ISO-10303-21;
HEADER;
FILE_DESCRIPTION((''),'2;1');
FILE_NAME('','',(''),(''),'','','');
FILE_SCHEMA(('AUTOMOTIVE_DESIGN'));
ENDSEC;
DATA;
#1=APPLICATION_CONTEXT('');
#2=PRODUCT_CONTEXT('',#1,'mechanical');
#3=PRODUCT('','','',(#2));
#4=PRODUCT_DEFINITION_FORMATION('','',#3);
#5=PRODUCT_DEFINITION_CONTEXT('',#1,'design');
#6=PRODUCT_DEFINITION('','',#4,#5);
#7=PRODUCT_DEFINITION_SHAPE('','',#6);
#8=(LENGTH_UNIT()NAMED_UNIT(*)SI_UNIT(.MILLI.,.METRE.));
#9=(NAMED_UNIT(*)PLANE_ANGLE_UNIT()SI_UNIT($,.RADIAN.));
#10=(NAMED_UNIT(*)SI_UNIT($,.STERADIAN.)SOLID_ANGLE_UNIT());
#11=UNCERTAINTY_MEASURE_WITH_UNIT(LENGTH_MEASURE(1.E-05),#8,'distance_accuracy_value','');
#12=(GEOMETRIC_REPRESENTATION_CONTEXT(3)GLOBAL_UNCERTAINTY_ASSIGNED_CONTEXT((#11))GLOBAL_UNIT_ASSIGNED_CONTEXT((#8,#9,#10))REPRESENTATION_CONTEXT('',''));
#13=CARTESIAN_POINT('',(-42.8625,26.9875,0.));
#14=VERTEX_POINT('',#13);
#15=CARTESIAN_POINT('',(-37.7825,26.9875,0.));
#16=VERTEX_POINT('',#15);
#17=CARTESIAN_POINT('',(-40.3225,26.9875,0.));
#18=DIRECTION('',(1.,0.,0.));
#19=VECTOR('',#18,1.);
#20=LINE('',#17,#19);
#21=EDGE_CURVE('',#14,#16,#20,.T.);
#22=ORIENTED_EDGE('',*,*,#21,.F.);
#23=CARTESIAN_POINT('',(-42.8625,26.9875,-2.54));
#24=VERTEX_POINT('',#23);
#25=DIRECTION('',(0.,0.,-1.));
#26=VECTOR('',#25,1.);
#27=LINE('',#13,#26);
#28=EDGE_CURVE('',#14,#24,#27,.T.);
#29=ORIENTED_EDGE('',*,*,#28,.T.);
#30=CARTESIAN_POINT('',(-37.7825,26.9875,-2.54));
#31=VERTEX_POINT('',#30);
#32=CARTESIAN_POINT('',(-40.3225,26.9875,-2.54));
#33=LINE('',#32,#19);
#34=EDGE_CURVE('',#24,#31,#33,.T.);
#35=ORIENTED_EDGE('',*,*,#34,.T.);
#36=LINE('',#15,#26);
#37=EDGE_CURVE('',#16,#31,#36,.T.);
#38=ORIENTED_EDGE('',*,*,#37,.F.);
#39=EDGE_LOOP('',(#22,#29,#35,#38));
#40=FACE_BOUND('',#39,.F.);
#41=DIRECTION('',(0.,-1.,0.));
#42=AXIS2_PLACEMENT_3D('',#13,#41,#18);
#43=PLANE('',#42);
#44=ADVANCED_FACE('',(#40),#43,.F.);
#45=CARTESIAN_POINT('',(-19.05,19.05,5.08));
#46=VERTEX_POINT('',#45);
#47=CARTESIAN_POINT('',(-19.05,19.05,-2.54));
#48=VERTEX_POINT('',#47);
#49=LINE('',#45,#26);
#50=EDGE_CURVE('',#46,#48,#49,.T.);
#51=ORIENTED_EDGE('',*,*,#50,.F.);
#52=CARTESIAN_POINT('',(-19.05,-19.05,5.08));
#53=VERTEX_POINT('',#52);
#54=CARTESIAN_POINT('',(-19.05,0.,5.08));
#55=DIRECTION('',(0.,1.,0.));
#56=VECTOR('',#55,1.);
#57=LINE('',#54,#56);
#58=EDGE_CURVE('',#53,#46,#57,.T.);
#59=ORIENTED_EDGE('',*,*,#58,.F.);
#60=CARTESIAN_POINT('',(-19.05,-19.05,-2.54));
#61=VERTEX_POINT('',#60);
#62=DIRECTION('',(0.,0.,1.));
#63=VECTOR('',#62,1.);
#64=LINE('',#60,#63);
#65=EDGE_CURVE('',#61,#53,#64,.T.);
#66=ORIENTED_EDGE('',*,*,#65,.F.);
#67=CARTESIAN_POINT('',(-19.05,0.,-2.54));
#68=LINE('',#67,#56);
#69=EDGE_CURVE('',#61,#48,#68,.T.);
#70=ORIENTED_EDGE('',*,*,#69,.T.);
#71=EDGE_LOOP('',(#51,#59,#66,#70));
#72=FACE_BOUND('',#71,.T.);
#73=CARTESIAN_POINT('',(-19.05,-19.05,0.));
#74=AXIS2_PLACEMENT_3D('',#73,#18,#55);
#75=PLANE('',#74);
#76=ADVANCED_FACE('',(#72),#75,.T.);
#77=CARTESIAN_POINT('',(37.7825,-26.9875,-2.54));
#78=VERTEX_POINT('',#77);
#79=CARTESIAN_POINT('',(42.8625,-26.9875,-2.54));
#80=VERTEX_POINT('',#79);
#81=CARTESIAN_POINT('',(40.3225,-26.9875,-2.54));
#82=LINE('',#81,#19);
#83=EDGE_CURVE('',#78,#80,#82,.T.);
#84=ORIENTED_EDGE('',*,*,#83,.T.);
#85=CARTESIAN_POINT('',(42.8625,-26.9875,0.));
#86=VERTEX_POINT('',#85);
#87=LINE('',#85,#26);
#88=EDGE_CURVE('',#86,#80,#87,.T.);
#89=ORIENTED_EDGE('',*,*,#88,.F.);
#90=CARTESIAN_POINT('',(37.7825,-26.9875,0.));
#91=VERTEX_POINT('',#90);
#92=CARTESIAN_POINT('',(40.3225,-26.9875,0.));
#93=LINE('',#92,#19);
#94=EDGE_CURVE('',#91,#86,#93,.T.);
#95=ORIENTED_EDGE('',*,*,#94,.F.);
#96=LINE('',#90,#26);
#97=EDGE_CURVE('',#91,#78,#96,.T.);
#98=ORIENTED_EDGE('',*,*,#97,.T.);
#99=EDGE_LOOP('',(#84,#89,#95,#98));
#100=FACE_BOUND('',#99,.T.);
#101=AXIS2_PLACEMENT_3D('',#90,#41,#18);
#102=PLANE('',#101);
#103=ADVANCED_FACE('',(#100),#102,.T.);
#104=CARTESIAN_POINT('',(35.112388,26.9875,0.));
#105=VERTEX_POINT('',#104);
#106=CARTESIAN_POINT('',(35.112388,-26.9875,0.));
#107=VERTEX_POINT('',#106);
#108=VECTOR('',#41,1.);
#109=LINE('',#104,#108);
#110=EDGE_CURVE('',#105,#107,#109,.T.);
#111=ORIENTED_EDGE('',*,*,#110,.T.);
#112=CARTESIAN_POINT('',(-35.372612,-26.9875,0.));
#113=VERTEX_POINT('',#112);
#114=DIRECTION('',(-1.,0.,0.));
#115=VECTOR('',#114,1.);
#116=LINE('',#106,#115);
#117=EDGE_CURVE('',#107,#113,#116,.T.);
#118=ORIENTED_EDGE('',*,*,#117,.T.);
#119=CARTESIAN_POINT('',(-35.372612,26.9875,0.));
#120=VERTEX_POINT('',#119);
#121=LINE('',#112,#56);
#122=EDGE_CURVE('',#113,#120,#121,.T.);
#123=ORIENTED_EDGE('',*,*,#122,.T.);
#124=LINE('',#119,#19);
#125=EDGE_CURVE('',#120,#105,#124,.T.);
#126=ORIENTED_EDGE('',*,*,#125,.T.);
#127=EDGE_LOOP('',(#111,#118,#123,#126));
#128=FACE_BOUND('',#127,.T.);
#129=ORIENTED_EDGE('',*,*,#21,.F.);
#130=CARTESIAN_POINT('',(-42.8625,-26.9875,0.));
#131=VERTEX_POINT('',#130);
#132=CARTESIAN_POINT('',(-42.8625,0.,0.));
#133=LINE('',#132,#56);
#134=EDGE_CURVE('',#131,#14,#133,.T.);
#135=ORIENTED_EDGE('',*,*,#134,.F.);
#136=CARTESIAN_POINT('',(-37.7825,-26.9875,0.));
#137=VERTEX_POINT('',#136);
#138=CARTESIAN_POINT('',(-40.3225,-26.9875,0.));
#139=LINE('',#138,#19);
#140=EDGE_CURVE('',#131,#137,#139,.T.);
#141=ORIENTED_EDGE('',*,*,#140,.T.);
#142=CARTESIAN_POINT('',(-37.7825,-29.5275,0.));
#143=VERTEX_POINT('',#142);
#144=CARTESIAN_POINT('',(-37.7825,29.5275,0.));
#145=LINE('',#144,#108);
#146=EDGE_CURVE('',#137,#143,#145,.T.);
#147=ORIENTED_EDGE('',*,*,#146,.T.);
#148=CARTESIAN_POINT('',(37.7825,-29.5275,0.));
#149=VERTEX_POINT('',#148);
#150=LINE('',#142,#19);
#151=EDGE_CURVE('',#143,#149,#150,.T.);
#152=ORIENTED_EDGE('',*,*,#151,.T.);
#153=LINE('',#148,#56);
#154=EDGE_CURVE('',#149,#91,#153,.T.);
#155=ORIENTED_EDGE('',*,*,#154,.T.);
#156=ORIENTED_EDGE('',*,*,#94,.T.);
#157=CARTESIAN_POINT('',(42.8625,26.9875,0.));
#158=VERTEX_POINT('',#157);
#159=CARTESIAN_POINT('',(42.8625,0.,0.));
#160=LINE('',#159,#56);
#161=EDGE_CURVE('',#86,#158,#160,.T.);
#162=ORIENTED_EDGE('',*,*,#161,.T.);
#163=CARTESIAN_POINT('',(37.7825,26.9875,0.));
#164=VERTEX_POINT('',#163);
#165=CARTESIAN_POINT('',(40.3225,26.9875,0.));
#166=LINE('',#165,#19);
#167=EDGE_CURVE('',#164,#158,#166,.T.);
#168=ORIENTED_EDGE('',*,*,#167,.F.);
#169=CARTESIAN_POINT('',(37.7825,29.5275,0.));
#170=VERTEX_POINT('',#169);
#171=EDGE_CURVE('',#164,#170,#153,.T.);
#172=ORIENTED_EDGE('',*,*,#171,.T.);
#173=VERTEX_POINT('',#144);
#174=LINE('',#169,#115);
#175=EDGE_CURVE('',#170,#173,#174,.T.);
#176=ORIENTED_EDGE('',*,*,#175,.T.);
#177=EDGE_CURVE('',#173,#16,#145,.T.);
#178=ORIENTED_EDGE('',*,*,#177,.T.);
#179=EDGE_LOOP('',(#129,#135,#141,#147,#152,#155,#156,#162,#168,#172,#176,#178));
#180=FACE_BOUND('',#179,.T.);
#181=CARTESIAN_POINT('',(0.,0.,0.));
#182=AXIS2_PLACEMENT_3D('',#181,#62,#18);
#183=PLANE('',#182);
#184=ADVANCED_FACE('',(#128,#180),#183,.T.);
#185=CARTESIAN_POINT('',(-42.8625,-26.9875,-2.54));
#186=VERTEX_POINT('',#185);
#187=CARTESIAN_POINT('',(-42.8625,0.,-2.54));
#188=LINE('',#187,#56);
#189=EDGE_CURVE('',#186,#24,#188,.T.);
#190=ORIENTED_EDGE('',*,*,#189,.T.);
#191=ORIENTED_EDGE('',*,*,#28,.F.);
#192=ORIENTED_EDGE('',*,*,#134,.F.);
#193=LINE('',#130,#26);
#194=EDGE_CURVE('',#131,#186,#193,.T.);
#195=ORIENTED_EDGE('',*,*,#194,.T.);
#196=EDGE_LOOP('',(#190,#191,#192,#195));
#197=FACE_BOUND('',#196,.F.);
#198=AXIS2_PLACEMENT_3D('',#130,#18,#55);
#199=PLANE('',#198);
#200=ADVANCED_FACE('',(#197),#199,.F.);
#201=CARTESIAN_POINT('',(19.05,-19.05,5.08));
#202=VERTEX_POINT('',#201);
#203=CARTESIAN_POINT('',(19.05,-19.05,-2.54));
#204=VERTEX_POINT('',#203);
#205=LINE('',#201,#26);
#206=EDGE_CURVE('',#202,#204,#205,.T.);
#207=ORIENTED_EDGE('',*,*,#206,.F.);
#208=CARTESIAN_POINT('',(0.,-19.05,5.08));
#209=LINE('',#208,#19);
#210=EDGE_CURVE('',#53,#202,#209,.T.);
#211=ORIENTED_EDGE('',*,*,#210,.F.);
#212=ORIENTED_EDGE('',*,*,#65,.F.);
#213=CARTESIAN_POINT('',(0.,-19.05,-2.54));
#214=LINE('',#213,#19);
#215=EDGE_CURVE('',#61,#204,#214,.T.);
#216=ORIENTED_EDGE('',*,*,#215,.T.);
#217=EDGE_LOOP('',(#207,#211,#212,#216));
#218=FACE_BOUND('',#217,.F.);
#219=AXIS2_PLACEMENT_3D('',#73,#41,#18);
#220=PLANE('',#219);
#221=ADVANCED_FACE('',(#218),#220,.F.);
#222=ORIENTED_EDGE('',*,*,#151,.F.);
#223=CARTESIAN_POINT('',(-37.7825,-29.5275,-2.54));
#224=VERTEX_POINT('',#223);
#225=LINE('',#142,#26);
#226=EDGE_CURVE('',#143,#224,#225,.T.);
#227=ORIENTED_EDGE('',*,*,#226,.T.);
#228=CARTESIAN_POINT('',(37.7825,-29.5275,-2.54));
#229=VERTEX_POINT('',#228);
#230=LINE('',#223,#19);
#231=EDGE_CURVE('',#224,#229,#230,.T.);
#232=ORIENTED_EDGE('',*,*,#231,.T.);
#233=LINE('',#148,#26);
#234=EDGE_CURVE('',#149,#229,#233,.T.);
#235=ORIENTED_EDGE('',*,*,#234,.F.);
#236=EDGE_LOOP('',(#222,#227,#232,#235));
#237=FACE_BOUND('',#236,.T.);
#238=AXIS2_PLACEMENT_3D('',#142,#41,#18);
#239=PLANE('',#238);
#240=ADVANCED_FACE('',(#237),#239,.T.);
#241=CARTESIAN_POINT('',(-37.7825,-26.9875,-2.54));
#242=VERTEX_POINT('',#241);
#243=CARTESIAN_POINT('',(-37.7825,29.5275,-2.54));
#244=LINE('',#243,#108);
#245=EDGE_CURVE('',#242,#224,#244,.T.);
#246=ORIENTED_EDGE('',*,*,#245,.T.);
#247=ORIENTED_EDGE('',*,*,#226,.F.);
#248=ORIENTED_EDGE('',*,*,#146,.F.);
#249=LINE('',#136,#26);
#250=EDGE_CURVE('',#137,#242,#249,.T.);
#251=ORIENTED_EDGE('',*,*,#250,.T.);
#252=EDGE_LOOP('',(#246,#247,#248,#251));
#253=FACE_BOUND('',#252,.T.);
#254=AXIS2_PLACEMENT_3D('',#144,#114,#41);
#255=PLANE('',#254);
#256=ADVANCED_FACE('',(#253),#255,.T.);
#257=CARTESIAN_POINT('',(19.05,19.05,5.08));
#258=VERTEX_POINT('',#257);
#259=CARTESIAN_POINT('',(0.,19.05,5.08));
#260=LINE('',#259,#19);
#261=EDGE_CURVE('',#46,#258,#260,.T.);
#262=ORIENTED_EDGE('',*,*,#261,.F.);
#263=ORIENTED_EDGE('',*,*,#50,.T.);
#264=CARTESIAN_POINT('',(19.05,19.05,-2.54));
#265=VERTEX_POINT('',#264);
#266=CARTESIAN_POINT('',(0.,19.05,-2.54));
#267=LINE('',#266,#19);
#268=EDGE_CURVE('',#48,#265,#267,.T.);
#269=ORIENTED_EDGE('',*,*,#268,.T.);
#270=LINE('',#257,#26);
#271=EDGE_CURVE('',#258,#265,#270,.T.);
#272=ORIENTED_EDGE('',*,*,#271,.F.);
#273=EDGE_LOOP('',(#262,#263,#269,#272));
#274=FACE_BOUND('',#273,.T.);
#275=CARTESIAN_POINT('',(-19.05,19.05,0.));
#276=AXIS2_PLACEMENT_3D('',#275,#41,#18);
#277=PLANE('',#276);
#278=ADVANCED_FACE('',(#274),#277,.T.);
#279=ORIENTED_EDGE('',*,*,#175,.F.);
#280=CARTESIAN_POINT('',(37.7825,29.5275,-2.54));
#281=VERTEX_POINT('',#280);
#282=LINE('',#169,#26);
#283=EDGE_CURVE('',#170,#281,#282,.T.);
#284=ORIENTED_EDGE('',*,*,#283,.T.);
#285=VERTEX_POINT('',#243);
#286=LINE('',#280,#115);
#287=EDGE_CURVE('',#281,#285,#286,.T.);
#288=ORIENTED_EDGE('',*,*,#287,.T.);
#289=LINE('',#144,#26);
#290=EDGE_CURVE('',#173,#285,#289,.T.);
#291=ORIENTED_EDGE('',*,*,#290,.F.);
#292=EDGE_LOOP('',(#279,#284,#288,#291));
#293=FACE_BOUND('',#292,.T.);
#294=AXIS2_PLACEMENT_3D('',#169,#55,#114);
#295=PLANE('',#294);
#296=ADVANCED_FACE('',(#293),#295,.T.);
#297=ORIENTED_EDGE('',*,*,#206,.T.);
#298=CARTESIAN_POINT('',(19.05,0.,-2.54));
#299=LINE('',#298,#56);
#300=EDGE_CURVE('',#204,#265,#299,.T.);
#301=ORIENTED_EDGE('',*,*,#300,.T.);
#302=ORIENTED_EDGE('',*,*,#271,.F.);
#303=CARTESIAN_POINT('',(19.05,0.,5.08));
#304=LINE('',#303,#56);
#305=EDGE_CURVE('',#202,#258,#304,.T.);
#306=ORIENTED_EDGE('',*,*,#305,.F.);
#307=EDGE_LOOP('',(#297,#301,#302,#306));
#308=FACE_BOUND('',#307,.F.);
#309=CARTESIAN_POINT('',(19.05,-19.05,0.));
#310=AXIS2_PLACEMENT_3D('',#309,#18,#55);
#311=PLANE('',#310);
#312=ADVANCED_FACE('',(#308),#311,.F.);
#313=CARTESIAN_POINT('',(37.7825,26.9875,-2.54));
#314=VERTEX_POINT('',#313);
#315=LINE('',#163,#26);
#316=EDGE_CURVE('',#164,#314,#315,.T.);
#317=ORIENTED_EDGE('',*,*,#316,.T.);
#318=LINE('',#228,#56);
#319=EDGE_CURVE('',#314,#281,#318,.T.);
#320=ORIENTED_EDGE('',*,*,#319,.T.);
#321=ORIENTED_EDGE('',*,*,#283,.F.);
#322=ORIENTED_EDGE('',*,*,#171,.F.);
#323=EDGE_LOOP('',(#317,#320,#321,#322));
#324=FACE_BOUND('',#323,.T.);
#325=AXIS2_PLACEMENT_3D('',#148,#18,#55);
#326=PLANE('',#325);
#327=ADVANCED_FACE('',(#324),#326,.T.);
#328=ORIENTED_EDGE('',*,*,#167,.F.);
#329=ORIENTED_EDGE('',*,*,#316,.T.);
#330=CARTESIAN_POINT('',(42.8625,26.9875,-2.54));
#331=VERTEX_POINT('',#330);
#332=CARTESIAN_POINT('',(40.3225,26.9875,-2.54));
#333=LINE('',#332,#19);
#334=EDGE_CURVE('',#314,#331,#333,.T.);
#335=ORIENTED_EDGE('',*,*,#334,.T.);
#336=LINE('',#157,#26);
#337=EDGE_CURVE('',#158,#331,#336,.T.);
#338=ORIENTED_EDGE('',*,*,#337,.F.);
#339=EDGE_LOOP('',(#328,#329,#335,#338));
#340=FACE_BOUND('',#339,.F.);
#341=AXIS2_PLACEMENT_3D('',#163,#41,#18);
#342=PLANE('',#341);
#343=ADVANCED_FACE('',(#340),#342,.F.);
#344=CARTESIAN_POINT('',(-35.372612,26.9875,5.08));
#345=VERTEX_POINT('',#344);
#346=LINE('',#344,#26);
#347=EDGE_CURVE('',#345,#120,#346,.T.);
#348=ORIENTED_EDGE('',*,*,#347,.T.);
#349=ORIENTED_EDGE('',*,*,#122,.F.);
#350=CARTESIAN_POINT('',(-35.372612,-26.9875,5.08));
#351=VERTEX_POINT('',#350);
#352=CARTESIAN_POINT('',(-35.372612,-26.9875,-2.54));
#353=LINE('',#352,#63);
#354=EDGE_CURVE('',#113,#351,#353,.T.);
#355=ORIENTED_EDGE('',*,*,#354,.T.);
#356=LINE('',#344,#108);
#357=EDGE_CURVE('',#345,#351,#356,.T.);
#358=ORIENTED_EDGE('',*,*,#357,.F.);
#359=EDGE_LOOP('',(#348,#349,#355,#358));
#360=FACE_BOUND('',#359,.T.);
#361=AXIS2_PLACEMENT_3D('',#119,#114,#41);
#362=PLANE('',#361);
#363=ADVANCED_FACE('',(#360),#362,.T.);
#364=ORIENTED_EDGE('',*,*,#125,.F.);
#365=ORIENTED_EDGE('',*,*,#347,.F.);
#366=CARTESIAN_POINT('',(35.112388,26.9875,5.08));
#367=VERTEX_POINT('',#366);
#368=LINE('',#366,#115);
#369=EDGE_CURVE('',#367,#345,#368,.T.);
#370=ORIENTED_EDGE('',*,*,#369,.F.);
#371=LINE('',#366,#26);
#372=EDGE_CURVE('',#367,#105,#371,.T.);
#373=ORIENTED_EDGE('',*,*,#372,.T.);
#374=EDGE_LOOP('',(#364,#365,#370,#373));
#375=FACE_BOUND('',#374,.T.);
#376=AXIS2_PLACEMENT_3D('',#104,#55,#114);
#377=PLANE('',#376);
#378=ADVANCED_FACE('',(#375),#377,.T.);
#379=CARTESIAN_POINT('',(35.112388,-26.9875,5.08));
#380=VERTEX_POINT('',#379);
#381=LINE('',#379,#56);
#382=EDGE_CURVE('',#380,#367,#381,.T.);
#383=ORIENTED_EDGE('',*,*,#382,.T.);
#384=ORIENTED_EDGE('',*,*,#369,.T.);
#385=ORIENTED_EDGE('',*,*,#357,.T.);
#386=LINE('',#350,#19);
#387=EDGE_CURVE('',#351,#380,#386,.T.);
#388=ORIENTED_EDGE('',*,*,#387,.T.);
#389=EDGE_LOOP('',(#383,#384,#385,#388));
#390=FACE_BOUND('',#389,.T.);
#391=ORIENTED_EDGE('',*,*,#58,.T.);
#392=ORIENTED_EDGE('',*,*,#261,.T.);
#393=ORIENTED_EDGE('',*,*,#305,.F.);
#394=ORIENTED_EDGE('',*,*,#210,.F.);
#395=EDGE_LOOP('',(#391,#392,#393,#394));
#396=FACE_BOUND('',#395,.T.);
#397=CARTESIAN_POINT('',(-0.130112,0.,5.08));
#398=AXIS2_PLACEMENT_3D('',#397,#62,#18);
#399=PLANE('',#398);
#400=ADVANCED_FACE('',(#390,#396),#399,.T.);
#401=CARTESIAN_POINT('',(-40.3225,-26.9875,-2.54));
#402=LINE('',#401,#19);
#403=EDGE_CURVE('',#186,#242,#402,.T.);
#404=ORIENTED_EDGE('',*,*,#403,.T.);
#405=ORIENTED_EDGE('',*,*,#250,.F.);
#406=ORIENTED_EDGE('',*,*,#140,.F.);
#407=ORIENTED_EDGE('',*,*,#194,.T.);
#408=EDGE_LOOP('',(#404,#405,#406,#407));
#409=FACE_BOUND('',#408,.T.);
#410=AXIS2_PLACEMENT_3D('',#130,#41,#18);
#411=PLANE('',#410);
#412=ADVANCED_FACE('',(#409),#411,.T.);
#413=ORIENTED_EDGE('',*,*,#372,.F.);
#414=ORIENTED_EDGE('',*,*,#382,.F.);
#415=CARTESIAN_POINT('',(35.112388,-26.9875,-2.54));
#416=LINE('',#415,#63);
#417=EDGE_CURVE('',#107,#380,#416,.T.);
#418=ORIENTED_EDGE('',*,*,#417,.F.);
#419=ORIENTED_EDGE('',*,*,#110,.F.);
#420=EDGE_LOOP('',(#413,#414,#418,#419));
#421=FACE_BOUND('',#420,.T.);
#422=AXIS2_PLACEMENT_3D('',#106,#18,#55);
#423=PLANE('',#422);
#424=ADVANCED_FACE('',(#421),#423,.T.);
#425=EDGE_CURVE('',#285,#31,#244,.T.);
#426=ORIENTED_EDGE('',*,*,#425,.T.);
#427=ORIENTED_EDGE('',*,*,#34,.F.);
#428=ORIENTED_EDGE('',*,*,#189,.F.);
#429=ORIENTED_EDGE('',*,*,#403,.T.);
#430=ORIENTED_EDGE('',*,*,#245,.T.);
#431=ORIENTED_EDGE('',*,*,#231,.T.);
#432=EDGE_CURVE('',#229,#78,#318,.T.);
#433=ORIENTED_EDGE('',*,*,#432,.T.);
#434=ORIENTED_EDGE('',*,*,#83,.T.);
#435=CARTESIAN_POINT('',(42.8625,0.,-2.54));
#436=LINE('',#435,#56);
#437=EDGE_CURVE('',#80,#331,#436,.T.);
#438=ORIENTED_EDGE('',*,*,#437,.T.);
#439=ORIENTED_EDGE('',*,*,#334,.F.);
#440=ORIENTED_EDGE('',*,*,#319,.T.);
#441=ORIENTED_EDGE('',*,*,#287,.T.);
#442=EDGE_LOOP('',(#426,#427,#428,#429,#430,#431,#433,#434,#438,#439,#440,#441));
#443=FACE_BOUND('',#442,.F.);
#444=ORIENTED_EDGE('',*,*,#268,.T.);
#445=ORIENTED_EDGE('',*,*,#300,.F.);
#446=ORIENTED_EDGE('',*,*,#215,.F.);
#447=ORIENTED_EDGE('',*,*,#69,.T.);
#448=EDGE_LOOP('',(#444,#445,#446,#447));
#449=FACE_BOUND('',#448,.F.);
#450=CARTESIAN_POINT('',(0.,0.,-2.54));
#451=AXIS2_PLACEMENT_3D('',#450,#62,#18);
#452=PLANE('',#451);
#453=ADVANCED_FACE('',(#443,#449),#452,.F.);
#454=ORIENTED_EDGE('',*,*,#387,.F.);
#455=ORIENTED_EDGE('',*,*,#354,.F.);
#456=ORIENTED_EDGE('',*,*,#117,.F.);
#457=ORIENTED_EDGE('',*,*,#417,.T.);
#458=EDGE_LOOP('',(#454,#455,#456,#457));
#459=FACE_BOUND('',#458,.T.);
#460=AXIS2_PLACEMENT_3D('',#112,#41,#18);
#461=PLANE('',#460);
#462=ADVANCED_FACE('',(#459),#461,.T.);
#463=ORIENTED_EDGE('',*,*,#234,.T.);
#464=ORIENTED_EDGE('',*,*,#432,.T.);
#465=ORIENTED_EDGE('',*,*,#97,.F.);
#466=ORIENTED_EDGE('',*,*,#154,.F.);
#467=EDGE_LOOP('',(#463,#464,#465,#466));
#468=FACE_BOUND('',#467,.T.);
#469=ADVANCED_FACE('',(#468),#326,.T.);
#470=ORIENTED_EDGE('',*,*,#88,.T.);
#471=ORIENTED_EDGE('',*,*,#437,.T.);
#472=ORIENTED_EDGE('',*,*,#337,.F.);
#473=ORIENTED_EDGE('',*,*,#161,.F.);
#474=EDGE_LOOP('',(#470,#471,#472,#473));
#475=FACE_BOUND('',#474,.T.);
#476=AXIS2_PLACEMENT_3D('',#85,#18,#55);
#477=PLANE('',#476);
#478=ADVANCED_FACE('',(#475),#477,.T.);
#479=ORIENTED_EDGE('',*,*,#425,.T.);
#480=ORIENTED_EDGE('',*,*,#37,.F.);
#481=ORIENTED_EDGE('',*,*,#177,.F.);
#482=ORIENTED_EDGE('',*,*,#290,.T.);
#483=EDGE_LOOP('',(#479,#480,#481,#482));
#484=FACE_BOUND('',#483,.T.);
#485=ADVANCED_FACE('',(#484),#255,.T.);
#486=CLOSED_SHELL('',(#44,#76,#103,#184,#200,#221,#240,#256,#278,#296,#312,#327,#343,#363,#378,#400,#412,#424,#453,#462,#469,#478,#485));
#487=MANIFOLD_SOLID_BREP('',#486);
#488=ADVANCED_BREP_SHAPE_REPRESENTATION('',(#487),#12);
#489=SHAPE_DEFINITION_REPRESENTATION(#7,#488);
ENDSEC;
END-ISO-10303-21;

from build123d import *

# Parameters (mm, degrees)
F0_W     = 38.1
F0_H     = 38.1
F1_DEPTH = 5.08
F2_DEPTH = 2.54
F3_DEPTH = 2.54
F0_W_2   = 5.08
F0_H_2   = 53.975
F4_DEPTH = 2.54


with BuildPart() as f1:
    # F0 (on Top) → F1 (new body)
    with BuildSketch(Plane.XY):
        Polygon((-35.372612, 26.9875), (-35.372612, 0), (-35.372612, -26.9875), (-0.130112, -26.9875), (35.112388, -26.9875), (35.112388, 0), (35.112388, 26.9875), (-0.130112, 26.9875), align=None)
        Rectangle(F0_W, F0_H, mode=Mode.SUBTRACT)
    extrude(amount=F1_DEPTH)

    # F0 (on Top) → F2 (join)
    with BuildSketch(Plane.XY):
        Polygon((-35.372612, 26.9875), (-35.372612, 0), (-35.372612, -26.9875), (-0.130112, -26.9875), (35.112388, -26.9875), (35.112388, 0), (35.112388, 26.9875), (-0.130112, 26.9875), align=None)
        Rectangle(F0_W, F0_H, mode=Mode.SUBTRACT)
    extrude(amount=-F2_DEPTH)

    # F0 (on Top) → F3 (join)
    with BuildSketch(Plane.XY):
        Polygon((-37.7825, -26.9875), (-37.7825, -29.5275), (37.7825, -29.5275), (37.7825, -26.9875), (37.7825, 26.9875), (37.7825, 29.5275), (-37.7825, 29.5275), (-37.7825, 26.9875), align=None)
        Polygon((-35.372612, -26.9875), (-35.372612, 0), (-35.372612, 26.9875), (-0.130112, 26.9875), (35.112388, 26.9875), (35.112388, 0), (35.112388, -26.9875), (-0.130112, -26.9875), align=None, mode=Mode.SUBTRACT)
    extrude(amount=-F3_DEPTH)

    # F0 (on Top) → F4 (join)
    with BuildSketch(Plane.XY):
        with Locations((-40.3225, 0)):
            Rectangle(F0_W_2, F0_H_2)
        with Locations((40.3225, 0)):
            Rectangle(F0_W_2, F0_H_2)
    extrude(amount=-F4_DEPTH)


solid = f1.part
